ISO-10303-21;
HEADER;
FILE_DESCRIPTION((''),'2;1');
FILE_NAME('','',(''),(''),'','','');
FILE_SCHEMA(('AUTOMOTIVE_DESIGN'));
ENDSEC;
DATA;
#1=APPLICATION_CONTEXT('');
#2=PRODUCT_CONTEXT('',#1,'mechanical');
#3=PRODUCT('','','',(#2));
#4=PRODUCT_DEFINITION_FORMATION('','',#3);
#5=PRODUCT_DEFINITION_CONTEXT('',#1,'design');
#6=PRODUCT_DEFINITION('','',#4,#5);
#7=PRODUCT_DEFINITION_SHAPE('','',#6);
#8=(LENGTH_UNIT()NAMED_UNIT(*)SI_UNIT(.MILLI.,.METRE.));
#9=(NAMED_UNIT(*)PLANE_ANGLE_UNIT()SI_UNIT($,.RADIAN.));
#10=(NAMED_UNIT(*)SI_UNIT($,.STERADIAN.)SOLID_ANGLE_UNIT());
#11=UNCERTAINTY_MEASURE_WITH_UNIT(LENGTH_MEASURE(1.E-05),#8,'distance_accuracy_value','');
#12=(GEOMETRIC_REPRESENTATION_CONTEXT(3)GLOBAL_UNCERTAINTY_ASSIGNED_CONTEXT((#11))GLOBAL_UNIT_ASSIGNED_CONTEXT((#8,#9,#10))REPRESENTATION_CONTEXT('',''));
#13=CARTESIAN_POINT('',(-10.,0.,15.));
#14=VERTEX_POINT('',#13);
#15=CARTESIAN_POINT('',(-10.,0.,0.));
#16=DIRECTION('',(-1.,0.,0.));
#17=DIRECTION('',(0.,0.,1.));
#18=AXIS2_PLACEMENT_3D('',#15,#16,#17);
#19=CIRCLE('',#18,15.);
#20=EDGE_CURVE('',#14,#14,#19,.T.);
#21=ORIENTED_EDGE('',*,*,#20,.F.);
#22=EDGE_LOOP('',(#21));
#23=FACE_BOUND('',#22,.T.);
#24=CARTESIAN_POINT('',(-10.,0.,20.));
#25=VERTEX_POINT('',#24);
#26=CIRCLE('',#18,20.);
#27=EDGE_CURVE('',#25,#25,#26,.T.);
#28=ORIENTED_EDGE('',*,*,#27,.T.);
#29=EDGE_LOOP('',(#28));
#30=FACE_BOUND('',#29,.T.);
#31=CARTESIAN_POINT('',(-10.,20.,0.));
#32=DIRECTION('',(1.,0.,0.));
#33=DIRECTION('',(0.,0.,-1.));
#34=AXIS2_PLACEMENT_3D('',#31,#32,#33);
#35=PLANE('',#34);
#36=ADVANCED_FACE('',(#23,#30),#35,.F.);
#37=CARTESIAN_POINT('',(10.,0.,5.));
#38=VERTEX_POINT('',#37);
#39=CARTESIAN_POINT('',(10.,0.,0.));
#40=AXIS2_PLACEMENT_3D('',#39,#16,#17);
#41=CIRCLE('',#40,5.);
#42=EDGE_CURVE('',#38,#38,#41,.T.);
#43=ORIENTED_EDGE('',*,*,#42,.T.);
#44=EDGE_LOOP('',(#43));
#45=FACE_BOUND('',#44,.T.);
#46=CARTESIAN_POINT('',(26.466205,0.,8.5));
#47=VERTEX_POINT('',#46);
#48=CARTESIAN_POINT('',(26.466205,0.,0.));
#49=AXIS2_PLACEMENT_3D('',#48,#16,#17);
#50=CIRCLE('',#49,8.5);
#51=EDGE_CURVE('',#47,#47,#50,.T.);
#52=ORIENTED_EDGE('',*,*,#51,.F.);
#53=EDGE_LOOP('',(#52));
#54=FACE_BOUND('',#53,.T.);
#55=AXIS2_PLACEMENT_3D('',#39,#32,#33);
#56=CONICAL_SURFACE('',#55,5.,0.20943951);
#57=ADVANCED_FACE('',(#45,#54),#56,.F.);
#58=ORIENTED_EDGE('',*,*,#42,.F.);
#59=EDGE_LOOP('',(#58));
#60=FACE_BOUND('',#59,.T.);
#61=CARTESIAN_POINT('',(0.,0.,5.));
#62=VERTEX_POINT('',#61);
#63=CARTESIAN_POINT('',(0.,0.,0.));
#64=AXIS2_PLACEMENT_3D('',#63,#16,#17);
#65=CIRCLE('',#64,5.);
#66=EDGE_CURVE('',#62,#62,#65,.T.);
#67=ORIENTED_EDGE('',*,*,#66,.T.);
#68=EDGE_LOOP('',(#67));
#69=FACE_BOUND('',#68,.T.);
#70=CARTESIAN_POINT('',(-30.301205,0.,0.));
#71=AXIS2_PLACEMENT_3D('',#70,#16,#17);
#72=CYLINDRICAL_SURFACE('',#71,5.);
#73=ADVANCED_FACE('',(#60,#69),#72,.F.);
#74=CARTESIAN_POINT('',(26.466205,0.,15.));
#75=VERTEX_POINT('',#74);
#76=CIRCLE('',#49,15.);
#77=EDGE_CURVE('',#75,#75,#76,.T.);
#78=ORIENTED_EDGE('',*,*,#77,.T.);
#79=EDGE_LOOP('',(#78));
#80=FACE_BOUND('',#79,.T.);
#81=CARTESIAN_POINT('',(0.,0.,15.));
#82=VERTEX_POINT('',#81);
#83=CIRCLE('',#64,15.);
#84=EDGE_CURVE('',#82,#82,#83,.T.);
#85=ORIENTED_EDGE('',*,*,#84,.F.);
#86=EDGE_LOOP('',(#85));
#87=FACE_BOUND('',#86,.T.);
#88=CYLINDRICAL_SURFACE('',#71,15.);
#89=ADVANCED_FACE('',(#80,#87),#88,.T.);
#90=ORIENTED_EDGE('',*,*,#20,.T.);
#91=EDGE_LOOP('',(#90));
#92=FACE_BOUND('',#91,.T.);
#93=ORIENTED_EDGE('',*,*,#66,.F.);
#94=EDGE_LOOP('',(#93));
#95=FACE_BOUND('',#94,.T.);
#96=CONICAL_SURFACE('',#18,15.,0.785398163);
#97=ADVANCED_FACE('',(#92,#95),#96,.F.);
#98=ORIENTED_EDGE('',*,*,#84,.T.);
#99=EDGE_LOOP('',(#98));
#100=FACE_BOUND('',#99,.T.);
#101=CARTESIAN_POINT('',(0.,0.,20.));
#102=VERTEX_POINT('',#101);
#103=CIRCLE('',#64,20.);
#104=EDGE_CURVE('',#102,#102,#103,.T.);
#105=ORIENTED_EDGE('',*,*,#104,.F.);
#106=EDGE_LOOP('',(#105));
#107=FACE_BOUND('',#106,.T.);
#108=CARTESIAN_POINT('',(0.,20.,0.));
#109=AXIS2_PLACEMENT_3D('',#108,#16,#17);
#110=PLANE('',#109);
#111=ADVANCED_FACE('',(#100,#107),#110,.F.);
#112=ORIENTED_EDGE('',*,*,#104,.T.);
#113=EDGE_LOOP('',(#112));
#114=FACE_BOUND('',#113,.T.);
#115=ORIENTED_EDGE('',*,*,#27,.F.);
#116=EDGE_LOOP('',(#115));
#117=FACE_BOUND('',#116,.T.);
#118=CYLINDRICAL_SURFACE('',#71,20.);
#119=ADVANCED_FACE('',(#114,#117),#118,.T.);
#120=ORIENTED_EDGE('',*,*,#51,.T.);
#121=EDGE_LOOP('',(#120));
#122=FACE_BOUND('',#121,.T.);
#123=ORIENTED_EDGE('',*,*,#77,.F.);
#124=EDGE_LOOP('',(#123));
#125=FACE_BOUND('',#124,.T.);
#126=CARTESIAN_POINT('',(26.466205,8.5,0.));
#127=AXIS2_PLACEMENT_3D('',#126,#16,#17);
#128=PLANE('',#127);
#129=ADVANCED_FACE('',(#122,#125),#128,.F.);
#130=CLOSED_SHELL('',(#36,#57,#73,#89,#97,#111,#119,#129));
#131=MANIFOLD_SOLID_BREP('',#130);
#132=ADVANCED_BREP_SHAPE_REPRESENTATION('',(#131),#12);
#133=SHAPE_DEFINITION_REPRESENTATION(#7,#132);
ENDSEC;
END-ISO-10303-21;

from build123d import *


with BuildPart() as part:
    # Sketch4 → Revolve1 (revolve)
    with BuildSketch(Plane.XY):
        Polygon((-10, 20), (0, 20), (0, 15), (26.466205383, 15), (26.466205383, 8.5), (10, 5), (0, 5), (-10, 15), align=None)
    revolve(axis=Axis((-30.301204819, 0, 0), (1, 0, 0)))


solid = part.part
